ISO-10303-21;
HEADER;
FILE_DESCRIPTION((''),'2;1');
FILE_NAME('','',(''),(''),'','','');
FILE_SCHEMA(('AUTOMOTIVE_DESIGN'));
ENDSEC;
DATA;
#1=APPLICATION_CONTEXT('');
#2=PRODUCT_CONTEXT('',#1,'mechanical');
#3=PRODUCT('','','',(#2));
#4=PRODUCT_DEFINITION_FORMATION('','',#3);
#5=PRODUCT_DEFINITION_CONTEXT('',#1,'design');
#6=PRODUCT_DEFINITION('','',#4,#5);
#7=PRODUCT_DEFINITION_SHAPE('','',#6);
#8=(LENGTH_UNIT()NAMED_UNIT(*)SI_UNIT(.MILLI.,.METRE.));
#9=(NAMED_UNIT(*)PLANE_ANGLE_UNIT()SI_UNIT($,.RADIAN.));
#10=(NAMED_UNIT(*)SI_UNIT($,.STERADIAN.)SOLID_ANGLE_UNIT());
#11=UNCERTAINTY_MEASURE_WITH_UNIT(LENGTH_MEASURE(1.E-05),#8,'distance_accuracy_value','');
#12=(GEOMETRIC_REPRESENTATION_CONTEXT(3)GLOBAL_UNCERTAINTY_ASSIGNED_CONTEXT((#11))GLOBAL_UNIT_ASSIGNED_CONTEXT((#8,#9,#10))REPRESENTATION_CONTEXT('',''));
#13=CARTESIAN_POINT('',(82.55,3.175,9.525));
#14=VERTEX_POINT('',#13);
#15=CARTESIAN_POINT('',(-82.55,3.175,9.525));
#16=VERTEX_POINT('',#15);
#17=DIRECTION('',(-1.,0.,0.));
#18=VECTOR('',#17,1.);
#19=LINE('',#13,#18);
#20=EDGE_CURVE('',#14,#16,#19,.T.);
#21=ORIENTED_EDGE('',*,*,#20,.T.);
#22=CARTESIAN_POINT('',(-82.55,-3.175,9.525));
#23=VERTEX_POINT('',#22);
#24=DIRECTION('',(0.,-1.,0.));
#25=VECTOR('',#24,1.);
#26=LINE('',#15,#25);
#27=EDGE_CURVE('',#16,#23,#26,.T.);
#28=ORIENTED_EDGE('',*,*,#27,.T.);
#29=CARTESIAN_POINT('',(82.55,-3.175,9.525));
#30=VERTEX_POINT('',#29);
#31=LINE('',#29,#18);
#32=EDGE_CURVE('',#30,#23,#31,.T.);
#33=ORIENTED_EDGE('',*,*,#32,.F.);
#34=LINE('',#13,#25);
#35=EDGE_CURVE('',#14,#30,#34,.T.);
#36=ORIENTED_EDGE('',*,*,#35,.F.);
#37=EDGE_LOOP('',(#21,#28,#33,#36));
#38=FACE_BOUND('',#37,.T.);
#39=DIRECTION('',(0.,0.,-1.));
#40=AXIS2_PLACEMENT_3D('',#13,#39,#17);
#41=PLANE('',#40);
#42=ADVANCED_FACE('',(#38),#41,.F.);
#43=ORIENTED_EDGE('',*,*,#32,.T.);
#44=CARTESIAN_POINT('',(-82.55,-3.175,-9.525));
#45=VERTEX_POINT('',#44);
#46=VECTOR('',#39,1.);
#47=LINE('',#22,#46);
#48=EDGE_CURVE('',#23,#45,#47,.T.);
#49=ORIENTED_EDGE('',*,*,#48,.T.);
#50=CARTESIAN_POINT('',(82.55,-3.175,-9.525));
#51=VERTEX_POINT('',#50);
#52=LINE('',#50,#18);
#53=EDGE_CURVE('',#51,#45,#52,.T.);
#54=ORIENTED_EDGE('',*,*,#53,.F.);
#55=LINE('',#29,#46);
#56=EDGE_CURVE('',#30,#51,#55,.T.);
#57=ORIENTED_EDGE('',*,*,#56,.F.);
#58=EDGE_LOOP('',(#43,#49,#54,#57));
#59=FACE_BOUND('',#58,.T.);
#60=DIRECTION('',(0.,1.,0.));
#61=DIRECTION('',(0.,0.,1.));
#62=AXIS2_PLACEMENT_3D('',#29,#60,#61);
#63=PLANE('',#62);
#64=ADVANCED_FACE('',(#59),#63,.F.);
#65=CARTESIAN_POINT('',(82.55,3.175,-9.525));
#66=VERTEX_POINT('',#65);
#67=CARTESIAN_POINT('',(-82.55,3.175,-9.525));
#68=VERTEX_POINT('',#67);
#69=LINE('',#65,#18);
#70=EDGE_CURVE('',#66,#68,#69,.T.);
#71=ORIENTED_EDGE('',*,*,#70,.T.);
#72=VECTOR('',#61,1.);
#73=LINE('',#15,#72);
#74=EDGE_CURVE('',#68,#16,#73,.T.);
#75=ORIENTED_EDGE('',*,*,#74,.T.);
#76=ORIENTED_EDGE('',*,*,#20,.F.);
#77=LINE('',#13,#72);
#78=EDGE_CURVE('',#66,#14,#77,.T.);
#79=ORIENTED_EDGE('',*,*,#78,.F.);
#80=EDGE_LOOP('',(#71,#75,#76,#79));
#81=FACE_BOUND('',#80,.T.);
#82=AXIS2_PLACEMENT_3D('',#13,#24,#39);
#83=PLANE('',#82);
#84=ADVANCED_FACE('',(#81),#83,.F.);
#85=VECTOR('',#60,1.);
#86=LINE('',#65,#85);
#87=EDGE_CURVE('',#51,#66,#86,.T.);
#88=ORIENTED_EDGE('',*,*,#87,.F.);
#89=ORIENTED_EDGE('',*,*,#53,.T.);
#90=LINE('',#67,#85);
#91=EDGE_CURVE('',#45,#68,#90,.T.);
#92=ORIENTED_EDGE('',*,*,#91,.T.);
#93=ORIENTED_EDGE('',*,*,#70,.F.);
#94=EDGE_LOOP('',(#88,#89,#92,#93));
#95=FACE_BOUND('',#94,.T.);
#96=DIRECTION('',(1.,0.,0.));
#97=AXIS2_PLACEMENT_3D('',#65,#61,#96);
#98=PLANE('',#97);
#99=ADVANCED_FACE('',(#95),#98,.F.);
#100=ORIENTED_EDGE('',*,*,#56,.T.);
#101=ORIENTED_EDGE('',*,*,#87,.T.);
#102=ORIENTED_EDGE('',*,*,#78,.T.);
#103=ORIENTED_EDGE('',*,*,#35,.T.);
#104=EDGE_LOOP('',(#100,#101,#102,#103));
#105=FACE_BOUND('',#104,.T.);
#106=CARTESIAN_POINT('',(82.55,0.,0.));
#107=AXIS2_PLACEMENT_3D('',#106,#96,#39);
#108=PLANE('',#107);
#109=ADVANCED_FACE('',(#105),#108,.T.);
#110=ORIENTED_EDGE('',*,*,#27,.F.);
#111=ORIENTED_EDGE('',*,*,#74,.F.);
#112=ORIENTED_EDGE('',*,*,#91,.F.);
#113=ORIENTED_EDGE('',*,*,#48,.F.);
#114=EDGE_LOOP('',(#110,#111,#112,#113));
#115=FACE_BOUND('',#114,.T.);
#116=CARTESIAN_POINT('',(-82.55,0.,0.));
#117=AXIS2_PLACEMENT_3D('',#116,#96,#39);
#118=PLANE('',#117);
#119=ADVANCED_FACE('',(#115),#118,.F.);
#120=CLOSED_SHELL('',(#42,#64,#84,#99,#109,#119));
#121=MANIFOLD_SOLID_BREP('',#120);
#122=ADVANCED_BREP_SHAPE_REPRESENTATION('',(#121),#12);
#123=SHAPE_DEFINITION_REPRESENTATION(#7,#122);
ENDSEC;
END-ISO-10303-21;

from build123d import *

# Parameters (mm, degrees)
CROSSSECTION_W             = 19.05
CROSSSECTION_H             = 6.35
F_1_4_INCH_THICKNESS_DEPTH = 82.55


with BuildPart() as part:
    # CrossSection → 1/4 Inch Thickness (new, symmetric)
    with BuildSketch(Plane(origin=(0, 0, 0), x_dir=(0, 0, -1), z_dir=(1, 0, 0))):
        Rectangle(CROSSSECTION_W, CROSSSECTION_H)
    extrude(amount=F_1_4_INCH_THICKNESS_DEPTH, both=True)


solid = part.part
